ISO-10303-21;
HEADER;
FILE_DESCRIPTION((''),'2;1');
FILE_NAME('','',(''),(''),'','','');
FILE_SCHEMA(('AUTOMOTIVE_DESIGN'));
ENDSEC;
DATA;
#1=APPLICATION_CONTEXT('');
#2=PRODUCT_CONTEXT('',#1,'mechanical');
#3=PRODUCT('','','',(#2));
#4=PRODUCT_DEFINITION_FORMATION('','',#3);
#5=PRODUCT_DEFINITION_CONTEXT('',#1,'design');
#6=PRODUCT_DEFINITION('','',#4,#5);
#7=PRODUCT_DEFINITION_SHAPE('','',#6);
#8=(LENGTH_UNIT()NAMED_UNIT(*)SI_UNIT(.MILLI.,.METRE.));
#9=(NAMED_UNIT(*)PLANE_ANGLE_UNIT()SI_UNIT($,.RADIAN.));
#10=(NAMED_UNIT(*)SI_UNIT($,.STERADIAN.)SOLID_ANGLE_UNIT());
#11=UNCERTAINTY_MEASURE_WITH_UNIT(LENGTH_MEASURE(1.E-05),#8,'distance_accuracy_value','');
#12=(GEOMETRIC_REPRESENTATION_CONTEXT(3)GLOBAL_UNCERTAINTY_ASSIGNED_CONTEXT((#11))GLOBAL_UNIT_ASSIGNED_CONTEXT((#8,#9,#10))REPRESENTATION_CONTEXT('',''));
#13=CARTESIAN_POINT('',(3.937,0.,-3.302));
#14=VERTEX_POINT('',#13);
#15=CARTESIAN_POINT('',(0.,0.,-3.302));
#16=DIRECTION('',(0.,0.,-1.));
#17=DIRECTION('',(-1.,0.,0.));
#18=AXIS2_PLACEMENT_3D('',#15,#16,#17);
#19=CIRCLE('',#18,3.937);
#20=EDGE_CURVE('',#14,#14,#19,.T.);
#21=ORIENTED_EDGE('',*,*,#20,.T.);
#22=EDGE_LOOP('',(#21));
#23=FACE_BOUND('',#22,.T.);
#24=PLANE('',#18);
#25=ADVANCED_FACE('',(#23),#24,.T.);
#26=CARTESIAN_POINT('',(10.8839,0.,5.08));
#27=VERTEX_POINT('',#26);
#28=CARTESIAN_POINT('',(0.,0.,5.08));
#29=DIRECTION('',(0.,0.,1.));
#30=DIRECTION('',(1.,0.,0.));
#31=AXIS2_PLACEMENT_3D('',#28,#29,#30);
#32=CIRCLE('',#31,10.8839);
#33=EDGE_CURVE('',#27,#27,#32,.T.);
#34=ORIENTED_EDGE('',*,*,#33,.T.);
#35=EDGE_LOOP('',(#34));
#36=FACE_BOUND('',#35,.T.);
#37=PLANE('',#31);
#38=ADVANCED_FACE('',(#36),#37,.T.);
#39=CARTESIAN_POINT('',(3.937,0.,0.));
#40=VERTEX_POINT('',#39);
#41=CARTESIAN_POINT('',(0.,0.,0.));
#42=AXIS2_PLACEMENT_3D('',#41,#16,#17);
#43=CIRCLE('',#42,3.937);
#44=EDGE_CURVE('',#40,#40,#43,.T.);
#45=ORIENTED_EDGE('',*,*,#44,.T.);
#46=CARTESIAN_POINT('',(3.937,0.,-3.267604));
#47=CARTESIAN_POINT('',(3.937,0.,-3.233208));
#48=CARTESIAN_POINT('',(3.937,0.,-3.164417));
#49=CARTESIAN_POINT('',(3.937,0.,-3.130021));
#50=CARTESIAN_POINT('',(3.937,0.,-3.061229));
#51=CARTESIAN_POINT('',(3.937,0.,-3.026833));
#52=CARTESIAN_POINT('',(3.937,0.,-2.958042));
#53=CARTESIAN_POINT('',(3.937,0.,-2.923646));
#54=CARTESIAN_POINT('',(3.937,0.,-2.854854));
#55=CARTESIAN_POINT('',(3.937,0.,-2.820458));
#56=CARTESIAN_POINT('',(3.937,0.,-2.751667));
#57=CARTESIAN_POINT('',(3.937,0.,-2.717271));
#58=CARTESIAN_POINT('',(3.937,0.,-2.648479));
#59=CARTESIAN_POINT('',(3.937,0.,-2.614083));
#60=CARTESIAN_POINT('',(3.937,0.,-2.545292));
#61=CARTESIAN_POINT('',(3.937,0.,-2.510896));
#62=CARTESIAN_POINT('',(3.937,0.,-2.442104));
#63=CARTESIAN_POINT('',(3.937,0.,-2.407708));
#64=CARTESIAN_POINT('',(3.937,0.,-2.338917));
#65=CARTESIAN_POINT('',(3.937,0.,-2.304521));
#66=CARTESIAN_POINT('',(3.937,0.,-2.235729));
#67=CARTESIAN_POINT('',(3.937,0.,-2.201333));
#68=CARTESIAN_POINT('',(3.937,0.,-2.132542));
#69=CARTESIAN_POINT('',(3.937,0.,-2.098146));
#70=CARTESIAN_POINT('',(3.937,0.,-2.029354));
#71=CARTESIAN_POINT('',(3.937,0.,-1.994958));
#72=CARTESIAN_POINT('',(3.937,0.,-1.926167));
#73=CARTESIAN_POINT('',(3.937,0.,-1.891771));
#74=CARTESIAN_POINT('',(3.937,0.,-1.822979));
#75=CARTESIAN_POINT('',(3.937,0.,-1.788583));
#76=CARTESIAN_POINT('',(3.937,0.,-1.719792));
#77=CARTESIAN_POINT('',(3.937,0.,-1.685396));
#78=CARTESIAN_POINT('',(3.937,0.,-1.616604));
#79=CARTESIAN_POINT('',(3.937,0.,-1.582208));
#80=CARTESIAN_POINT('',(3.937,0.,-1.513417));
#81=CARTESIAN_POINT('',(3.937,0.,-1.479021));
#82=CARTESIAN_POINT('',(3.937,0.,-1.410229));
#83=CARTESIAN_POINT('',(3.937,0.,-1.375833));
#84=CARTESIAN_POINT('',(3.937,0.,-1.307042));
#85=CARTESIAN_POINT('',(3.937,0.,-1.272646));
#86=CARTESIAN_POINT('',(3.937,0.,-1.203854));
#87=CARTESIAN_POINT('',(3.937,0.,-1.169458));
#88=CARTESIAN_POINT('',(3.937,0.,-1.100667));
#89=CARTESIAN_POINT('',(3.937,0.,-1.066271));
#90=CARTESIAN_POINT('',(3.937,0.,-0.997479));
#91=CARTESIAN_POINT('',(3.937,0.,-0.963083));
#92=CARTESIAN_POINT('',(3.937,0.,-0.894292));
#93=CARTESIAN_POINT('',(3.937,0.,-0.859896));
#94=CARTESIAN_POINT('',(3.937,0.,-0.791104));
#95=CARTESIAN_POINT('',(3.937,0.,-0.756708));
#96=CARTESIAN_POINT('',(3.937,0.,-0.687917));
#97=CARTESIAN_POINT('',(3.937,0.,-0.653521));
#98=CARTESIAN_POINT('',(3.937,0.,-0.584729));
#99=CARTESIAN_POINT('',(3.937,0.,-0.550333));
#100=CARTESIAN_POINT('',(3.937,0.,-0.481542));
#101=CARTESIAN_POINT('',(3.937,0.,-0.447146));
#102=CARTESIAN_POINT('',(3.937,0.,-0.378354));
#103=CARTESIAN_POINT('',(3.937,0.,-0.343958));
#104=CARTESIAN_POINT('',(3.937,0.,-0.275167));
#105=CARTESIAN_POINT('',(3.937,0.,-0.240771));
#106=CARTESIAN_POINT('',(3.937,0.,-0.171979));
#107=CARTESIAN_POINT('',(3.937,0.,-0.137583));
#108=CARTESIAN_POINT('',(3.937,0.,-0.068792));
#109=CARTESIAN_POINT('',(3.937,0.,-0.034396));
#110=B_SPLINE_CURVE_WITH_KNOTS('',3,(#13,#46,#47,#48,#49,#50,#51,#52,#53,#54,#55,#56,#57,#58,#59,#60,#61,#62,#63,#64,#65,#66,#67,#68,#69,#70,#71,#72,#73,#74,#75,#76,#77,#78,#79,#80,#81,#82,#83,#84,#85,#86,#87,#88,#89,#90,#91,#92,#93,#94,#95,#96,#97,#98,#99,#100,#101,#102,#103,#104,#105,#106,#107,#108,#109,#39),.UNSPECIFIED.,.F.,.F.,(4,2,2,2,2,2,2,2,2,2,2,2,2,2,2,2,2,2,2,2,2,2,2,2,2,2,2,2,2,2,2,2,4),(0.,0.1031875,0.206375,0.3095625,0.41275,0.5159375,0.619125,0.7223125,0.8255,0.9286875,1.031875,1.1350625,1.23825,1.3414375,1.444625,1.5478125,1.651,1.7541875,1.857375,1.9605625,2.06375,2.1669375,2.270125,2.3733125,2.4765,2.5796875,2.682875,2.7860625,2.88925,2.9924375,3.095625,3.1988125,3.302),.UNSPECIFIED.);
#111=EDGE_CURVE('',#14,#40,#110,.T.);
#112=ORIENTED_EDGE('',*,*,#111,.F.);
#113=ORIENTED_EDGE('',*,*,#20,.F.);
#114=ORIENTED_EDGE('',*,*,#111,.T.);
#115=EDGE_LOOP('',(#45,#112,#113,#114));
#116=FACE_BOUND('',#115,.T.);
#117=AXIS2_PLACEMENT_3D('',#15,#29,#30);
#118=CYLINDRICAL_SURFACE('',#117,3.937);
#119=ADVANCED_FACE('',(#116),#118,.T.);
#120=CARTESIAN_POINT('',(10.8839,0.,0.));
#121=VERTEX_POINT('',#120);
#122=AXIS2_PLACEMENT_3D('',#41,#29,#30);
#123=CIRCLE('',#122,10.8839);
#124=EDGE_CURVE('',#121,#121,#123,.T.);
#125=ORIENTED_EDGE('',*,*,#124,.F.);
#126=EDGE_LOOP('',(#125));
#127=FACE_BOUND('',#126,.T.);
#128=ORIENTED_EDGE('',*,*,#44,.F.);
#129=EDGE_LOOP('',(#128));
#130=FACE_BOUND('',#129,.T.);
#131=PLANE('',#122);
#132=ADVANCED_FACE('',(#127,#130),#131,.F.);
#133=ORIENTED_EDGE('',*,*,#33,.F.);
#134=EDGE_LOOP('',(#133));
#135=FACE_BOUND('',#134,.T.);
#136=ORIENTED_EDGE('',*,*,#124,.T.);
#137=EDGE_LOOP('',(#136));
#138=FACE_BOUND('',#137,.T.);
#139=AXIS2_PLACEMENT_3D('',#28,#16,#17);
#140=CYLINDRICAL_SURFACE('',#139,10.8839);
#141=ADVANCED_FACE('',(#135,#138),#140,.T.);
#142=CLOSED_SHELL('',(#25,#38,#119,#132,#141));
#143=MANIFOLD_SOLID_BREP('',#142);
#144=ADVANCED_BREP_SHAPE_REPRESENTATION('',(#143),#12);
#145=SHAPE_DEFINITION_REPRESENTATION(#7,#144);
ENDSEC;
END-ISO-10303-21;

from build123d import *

# Parameters (mm, degrees)
SKETCH1_R           = 10.8839
BOSS_EXTRUDE1_DEPTH = 5.08
SKETCH2_R           = 3.937
BOSS_EXTRUDE2_DEPTH = 3.302


with BuildPart() as part:
    # Sketch1 → Boss-Extrude1 (new body)
    with BuildSketch(Plane.XY):
        Circle(SKETCH1_R)
    extrude(amount=BOSS_EXTRUDE1_DEPTH)

    # Sketch2 → Boss-Extrude2 (add)
    with BuildSketch(Plane(origin=(0, 0, 0), x_dir=(-1, 0, 0), z_dir=(0, 0, -1))):
        with Locations(Location((0, 0, 0), (0, 0, 180))):
            Circle(SKETCH2_R)
    extrude(amount=BOSS_EXTRUDE2_DEPTH)


solid = part.part
